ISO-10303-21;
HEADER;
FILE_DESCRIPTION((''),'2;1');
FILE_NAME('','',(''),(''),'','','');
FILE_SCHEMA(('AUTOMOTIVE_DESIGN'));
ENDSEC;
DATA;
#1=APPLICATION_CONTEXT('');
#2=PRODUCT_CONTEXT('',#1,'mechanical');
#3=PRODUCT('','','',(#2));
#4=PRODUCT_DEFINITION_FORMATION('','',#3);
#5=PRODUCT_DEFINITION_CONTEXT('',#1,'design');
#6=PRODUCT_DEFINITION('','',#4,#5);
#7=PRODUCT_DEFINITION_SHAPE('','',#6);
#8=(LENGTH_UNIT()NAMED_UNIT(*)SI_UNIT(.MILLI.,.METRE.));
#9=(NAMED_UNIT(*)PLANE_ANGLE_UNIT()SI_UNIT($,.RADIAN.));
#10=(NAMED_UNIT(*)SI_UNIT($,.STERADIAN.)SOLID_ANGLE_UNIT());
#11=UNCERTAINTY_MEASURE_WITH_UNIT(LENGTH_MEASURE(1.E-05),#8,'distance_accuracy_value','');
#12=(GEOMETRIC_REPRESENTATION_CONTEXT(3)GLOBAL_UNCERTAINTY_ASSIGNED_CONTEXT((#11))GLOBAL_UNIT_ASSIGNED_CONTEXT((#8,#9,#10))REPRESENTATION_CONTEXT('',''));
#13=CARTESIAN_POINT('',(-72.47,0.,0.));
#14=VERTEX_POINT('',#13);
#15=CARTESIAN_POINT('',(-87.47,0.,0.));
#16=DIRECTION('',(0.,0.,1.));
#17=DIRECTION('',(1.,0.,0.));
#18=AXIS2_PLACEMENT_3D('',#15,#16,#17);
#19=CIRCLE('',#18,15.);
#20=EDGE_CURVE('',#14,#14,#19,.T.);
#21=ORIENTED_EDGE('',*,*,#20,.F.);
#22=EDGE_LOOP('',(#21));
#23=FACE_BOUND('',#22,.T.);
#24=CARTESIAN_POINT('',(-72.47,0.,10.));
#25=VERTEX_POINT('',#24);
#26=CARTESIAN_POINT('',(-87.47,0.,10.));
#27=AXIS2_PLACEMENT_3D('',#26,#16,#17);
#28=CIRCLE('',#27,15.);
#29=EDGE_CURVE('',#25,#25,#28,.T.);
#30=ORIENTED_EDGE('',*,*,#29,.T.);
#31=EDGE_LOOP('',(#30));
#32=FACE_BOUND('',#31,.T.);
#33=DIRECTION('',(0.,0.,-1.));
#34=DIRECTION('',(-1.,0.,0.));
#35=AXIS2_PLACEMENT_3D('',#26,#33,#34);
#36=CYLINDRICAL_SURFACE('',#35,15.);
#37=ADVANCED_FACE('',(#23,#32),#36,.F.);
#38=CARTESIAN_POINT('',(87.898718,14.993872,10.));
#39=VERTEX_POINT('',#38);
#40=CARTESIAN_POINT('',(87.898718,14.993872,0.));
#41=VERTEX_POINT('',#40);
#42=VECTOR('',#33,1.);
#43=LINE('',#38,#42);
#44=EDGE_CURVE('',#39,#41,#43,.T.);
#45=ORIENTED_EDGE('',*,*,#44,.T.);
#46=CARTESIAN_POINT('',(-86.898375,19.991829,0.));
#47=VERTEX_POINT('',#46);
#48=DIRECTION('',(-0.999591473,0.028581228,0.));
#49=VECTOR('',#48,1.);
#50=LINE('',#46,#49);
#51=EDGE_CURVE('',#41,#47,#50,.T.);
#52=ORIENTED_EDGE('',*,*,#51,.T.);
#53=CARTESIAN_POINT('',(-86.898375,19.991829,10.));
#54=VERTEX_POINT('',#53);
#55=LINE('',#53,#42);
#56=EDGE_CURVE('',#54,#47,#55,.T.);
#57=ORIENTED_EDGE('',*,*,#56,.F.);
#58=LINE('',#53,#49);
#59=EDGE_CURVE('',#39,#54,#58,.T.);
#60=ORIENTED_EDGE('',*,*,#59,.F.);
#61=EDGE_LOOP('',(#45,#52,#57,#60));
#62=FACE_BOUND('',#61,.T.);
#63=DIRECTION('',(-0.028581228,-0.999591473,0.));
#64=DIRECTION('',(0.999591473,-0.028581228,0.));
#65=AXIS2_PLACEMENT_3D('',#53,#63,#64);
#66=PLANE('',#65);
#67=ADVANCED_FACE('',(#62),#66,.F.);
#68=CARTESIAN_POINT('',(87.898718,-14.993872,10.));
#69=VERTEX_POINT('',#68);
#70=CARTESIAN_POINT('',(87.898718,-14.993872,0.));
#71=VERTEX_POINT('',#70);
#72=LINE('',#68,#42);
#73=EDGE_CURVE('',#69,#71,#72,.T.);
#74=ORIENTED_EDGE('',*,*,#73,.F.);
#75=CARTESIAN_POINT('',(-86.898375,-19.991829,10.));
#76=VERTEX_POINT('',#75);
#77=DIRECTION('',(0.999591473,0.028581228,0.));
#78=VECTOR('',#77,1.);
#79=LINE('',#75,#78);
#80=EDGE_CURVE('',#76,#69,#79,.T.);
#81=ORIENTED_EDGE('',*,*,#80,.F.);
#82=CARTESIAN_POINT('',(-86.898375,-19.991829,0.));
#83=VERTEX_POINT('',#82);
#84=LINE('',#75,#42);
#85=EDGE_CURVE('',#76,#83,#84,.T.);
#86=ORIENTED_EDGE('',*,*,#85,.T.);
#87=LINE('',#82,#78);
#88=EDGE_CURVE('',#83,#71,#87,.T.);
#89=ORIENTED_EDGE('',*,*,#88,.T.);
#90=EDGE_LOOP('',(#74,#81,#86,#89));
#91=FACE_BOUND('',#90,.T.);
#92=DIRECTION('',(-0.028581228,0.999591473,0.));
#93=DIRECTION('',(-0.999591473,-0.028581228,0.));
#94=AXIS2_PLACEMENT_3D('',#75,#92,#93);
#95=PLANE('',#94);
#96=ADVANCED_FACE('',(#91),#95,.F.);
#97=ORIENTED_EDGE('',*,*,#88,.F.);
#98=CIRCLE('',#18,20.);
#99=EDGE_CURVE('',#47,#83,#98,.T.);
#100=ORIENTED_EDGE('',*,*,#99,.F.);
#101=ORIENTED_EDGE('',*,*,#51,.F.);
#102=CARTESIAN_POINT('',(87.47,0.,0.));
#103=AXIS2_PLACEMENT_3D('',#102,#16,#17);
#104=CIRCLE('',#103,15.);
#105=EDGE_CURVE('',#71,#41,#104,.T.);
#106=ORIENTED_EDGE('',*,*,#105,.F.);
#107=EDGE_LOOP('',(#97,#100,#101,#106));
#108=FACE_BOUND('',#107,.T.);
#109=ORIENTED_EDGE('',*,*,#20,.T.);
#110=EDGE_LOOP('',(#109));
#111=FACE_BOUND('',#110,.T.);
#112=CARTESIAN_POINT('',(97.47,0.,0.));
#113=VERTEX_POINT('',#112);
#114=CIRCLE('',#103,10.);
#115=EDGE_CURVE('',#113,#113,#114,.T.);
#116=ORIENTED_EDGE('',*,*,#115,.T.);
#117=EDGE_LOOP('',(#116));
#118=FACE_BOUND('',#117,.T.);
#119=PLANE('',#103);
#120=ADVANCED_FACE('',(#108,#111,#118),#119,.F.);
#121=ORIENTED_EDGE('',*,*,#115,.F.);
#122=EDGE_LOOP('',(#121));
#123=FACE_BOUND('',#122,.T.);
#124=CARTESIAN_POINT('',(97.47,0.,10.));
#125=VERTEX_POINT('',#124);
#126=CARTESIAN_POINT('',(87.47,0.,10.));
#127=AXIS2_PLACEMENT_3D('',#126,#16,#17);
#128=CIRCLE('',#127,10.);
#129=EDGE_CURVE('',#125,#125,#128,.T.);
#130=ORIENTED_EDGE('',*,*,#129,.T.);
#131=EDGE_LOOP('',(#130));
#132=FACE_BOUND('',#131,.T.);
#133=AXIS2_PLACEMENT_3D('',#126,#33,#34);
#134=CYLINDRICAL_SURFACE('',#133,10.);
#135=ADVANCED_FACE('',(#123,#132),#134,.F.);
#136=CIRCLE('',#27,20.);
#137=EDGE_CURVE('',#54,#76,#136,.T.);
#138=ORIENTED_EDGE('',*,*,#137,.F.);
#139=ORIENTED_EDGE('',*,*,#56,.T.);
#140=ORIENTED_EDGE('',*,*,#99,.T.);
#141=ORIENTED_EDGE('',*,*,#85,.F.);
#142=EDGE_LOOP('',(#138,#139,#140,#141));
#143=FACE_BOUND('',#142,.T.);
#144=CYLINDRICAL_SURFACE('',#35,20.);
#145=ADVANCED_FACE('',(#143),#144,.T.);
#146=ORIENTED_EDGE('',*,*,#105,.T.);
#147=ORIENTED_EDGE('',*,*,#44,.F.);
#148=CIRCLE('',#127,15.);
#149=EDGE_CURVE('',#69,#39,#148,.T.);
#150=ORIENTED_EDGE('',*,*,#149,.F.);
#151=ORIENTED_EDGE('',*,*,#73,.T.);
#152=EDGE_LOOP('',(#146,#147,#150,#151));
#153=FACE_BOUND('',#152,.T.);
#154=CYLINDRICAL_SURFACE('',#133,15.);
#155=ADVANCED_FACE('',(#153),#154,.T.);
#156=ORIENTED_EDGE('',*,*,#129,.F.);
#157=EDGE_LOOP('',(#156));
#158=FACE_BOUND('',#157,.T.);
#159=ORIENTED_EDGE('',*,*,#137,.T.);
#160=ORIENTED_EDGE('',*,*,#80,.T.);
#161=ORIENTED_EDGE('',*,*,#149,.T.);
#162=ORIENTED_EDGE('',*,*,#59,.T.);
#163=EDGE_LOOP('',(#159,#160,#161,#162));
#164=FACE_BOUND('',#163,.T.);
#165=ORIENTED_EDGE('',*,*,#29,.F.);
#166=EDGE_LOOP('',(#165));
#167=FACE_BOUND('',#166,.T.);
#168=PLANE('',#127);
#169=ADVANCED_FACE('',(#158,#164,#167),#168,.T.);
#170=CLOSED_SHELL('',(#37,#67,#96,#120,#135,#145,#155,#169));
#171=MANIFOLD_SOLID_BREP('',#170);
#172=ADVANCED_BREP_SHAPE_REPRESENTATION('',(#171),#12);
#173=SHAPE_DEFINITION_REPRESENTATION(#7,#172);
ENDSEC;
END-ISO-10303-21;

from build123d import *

# Parameters (mm, degrees)
SKETCH1_R           = 15
SKETCH1_R_2         = 10
BOSS_EXTRUDE1_DEPTH = 10


with BuildPart() as part:
    # Sketch1 → Boss-Extrude1 (new body)
    with BuildSketch(Plane.XY):
        with BuildLine():
            Line((-86.898375443, 19.991829465), (87.898718418, 14.993872099))
            ThreePointArc((87.898718418, 14.993872099), (102.47, 0), (87.898718418, -14.993872099))
            Line((87.898718418, -14.993872099), (-86.898375443, -19.991829465))
            ThreePointArc((-86.898375443, -19.991829465), (-107.47, 0), (-86.898375443, 19.991829465))
        make_face()
        with Locations((-87.47, 0)):
            Circle(SKETCH1_R, mode=Mode.SUBTRACT)
        with Locations((87.47, 0)):
            Circle(SKETCH1_R_2, mode=Mode.SUBTRACT)
    extrude(amount=BOSS_EXTRUDE1_DEPTH)


solid = part.part
